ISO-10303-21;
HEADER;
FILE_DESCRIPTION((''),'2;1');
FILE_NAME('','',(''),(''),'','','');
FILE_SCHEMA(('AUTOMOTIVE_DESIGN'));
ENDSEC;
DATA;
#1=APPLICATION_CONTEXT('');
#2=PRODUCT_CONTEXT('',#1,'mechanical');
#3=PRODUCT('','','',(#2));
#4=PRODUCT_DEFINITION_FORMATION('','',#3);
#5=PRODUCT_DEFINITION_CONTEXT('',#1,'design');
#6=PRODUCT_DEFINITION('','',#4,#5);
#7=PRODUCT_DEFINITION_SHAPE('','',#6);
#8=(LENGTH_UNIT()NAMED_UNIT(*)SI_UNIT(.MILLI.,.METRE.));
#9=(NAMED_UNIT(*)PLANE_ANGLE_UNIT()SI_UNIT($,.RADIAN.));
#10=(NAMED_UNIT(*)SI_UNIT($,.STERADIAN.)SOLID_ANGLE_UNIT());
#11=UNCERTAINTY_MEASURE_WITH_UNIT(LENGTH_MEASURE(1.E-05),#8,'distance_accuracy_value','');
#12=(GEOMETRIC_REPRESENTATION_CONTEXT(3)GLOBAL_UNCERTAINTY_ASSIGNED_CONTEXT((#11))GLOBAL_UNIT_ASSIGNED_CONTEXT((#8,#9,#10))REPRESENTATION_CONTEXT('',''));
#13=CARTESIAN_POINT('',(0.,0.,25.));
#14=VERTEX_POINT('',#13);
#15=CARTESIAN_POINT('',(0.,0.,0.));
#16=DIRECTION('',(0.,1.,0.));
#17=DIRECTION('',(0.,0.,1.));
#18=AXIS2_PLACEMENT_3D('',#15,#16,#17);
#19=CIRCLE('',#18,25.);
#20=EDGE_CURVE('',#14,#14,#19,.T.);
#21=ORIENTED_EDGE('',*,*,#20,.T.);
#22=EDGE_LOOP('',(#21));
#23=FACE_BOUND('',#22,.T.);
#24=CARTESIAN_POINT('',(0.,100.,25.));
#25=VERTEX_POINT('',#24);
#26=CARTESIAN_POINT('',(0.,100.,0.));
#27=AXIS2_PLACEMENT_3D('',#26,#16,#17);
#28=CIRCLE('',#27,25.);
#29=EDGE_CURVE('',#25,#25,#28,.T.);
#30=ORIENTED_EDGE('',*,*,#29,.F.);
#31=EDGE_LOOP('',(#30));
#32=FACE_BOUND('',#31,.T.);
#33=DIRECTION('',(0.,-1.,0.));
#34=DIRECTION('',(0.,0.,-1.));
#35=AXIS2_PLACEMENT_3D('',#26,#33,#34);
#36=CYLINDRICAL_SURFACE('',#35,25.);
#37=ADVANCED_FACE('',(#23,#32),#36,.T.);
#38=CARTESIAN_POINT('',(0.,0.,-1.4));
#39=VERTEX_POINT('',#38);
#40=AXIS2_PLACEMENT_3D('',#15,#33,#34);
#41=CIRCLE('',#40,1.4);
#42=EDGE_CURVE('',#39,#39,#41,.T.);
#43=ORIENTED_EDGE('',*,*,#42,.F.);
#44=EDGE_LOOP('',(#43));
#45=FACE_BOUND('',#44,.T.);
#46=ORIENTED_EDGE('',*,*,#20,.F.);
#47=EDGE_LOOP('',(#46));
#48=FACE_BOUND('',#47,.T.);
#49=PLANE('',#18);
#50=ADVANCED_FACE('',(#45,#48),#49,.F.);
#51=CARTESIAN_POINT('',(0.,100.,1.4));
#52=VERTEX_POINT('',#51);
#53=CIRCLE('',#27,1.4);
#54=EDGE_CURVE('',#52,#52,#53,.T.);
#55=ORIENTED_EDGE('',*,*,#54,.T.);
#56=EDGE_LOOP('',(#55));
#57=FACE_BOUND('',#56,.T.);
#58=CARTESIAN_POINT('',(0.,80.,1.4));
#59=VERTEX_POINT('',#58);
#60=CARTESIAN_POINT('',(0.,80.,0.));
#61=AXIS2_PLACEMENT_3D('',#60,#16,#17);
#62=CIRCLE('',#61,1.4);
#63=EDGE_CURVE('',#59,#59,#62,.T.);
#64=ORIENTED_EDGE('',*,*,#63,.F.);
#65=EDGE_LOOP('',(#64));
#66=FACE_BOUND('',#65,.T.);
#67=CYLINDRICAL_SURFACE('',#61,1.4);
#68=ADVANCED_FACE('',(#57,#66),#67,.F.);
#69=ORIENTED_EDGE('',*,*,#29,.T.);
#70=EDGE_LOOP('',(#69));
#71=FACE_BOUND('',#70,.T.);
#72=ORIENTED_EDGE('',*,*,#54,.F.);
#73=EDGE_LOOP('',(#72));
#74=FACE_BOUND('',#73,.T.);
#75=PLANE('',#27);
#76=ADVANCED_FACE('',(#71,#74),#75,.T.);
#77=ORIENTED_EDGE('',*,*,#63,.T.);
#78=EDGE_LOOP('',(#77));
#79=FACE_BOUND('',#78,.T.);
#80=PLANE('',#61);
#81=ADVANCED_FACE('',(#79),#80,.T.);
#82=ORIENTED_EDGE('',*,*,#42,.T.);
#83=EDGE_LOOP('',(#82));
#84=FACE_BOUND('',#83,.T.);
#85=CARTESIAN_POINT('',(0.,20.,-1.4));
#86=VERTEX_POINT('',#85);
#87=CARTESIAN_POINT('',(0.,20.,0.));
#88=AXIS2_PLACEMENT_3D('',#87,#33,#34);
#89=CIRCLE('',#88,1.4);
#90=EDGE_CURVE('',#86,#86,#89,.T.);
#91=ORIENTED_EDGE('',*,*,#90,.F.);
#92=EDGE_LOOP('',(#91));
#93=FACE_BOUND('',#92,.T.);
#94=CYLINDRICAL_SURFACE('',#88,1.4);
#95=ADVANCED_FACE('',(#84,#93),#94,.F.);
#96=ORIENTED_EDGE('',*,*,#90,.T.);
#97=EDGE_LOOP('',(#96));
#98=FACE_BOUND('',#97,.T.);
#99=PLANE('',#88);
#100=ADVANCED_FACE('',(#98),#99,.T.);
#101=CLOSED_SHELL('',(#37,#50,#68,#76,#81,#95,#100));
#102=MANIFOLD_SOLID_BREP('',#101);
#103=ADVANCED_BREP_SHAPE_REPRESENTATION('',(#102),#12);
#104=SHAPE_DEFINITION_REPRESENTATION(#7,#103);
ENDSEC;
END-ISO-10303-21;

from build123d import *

# Parameters (mm, degrees)
SKETCH1_R           = 25
BOSS_EXTRUDE1_DEPTH = 100
SKETCH3_R           = 1.4
CUT_EXTRUDE3_DEPTH  = 20
SKETCH5_R           = 1.4
CUT_EXTRUDE4_DEPTH  = 20


with BuildPart() as part:
    # Sketch1 → Boss-Extrude1 (new body)
    with BuildSketch(Plane(origin=(0, 0, 0), x_dir=(1, 0, 0), z_dir=(0, 1, 0))):
        Circle(SKETCH1_R)
    extrude(amount=BOSS_EXTRUDE1_DEPTH)

    # Sketch3 → Cut-Extrude3 (cut)
    with BuildSketch(Plane(origin=(0, 100, 0), x_dir=(1, 0, 0), z_dir=(0, 1, 0))):
        Circle(SKETCH3_R)
    extrude(amount=-CUT_EXTRUDE3_DEPTH, mode=Mode.SUBTRACT)

    # Sketch5 → Cut-Extrude4 (cut)
    with BuildSketch(Plane.XZ):
        Circle(SKETCH5_R)
    extrude(amount=-CUT_EXTRUDE4_DEPTH, mode=Mode.SUBTRACT)


solid = part.part
